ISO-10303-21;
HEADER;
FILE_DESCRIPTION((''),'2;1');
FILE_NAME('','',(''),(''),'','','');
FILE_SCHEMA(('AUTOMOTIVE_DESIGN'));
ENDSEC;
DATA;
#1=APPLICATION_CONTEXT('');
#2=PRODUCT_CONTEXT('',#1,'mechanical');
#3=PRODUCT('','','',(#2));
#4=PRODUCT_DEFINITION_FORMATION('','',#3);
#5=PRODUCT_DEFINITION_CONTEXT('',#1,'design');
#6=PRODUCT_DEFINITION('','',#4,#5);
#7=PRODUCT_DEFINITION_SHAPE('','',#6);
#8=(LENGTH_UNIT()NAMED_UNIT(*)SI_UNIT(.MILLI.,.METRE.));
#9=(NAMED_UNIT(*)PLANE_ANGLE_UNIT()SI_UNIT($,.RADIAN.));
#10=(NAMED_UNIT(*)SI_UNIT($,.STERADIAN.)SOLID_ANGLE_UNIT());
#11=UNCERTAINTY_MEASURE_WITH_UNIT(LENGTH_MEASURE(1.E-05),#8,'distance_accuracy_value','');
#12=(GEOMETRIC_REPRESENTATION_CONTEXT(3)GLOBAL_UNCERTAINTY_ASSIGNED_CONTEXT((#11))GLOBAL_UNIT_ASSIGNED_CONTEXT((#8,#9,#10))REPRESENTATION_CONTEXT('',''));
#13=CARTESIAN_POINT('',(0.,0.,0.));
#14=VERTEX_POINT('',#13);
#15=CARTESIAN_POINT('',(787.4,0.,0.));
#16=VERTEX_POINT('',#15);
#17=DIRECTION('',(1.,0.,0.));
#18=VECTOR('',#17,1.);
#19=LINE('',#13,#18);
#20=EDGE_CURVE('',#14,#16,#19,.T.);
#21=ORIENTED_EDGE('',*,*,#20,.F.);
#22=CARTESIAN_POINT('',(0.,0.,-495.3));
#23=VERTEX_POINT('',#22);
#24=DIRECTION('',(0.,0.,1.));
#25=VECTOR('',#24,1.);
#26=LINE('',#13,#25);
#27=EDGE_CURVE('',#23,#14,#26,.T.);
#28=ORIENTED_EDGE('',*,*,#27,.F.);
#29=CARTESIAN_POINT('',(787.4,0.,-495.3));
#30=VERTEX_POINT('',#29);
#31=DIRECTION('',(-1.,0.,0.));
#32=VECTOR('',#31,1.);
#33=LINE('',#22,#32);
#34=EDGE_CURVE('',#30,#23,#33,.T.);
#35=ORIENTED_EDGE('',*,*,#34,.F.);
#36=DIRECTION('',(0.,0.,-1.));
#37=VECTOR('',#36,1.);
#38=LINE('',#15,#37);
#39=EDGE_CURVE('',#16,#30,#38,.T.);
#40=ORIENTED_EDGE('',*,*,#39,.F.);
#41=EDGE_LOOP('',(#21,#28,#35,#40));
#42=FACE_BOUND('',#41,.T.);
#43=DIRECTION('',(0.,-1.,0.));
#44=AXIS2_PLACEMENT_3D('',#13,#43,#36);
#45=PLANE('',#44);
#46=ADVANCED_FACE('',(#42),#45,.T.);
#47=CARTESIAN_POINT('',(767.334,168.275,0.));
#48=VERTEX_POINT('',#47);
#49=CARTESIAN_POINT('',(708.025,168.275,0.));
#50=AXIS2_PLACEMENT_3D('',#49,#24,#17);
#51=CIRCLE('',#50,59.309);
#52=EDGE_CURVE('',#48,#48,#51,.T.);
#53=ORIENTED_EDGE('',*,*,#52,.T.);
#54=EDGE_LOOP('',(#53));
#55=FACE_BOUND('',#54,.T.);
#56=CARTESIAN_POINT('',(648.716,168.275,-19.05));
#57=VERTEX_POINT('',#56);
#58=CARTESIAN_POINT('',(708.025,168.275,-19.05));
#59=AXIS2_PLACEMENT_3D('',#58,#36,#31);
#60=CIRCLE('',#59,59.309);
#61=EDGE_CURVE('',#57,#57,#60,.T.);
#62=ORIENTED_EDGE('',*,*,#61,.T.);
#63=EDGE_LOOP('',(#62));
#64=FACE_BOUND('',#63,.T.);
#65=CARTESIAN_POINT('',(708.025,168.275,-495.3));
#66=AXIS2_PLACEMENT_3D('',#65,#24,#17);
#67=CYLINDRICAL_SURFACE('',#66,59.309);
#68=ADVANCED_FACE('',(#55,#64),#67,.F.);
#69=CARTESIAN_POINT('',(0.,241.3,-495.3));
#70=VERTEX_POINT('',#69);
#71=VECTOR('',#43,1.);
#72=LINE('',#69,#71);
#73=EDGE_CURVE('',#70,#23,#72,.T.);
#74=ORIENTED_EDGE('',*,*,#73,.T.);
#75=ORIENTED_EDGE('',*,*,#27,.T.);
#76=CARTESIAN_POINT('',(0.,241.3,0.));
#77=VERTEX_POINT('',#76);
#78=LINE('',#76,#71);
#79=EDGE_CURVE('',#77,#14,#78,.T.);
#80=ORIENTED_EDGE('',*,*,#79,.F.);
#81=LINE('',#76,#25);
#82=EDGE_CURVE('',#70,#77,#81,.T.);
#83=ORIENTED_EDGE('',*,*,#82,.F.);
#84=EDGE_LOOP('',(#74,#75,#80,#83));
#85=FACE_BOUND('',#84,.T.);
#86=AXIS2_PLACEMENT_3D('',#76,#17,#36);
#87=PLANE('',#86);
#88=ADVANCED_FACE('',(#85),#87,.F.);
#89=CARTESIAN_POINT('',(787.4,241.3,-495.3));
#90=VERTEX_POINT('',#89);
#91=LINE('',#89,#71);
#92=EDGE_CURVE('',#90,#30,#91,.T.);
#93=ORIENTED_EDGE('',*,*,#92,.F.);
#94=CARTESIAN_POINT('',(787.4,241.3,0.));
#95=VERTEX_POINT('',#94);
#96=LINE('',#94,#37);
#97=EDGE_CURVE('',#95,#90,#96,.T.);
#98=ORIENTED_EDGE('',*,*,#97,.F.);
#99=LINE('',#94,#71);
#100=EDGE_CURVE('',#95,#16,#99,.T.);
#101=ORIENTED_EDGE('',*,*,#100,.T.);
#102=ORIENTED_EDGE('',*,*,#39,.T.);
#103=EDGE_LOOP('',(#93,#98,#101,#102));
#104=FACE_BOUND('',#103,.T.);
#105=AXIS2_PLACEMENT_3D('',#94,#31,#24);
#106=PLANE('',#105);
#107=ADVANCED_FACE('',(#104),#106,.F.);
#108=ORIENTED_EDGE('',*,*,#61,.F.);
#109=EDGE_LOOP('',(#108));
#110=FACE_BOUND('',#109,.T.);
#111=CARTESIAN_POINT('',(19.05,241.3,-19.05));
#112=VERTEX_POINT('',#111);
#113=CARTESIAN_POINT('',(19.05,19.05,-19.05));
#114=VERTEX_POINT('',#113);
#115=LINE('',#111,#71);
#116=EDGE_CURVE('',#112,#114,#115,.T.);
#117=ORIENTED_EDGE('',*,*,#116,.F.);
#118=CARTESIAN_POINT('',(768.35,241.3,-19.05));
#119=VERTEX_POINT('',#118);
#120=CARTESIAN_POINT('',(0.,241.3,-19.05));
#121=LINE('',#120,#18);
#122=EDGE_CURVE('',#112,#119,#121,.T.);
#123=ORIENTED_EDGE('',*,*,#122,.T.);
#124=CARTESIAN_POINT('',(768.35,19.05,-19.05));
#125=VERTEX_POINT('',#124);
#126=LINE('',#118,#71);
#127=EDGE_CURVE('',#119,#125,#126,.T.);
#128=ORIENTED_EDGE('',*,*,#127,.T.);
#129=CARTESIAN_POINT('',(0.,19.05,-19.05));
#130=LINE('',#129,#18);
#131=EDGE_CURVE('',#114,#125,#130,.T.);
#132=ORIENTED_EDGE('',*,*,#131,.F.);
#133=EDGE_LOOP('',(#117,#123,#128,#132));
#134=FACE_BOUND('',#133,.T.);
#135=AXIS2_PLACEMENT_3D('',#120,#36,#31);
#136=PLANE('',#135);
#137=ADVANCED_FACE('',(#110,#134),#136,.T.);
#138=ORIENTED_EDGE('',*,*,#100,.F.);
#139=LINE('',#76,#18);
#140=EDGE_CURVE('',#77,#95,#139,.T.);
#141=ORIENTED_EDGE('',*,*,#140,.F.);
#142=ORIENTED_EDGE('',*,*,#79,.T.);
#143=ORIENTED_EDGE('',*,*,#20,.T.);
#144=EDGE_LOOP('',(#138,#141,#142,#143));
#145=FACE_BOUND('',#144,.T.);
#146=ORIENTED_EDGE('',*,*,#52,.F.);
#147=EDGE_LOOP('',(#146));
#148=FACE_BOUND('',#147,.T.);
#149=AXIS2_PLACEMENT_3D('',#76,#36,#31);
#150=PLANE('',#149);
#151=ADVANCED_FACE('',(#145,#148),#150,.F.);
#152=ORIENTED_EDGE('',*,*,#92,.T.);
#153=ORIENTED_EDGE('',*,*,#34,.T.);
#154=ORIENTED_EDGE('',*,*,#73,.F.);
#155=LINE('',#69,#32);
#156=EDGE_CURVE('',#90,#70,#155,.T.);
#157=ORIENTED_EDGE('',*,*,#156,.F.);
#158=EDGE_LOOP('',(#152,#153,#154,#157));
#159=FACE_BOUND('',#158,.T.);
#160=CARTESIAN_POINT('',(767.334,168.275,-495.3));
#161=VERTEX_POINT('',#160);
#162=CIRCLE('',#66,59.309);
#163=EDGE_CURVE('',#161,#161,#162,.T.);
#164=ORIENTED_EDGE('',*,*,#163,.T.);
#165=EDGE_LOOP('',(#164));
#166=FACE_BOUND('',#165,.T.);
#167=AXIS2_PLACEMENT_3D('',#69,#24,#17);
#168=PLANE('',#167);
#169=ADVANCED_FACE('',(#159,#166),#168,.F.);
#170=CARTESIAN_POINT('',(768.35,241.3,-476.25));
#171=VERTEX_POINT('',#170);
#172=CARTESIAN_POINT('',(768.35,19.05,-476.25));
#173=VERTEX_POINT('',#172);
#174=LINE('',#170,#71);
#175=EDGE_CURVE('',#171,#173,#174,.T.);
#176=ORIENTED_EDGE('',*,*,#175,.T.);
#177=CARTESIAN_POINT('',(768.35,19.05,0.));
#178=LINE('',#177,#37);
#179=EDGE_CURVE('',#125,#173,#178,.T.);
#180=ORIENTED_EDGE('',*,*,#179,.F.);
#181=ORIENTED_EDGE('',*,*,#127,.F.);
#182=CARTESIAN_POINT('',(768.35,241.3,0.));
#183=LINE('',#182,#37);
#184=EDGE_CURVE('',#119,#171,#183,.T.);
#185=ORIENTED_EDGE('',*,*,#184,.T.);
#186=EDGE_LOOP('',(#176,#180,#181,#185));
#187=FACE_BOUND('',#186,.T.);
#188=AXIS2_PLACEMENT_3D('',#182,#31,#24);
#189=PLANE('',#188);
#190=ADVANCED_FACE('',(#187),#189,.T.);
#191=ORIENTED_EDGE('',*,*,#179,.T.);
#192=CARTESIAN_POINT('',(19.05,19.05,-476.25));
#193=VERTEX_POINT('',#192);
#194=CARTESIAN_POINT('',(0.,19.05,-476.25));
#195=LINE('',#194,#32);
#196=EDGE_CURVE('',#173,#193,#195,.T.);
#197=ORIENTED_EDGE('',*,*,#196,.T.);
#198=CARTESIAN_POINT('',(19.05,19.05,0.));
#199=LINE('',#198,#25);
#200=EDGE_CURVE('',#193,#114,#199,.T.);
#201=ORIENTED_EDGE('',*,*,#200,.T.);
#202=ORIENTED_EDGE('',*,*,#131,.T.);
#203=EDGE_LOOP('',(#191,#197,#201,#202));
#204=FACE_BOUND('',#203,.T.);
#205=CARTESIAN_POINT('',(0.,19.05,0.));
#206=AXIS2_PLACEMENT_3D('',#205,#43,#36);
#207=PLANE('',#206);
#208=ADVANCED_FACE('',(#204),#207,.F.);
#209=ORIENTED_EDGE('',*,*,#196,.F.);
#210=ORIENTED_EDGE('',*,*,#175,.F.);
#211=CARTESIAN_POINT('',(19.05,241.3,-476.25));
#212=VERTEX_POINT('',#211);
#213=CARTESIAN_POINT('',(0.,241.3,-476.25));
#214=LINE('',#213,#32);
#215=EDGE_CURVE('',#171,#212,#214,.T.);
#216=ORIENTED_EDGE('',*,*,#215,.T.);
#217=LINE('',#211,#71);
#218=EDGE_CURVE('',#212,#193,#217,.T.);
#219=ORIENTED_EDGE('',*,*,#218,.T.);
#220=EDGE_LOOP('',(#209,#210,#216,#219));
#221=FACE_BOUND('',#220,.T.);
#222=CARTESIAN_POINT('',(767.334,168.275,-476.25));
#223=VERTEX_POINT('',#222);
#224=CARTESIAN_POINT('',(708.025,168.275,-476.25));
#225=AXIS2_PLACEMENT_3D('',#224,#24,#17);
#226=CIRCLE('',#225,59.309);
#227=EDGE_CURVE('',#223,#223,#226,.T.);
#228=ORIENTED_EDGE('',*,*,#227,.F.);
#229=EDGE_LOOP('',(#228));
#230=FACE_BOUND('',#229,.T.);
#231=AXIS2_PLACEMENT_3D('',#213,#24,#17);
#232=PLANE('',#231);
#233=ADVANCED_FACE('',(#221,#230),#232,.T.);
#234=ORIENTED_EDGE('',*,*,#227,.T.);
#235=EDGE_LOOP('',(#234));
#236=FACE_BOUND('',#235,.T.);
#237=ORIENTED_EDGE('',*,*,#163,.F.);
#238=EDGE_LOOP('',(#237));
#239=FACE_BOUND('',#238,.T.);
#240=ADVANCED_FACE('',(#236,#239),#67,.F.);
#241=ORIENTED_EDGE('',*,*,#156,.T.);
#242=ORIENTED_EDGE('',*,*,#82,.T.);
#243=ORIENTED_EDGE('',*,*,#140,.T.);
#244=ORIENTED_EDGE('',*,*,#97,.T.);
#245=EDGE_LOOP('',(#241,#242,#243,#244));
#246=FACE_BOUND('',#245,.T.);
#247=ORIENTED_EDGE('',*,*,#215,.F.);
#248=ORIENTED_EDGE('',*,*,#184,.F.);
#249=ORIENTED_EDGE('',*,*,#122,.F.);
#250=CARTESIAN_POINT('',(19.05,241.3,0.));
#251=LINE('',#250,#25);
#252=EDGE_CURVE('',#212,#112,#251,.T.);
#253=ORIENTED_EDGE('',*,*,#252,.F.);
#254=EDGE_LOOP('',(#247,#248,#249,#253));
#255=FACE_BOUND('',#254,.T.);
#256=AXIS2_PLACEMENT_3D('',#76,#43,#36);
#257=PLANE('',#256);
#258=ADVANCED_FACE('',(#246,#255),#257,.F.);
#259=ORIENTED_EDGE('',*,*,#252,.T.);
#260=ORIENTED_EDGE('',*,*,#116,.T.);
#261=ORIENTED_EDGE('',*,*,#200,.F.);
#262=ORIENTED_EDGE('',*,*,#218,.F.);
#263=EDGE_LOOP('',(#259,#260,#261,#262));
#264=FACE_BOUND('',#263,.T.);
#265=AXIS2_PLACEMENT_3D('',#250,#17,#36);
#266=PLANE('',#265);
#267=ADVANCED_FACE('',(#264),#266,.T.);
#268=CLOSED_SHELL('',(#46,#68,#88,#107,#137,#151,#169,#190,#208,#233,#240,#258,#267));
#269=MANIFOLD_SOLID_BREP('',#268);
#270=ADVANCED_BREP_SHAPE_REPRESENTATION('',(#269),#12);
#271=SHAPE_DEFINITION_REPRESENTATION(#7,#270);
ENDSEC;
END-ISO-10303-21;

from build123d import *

# Parameters (mm, degrees)
SKETCH1_W           = 787.4
SKETCH1_H           = 495.3
BOSS_EXTRUDE1_DEPTH = 241.3
SHELL1_T            = -19.05
SKETCH2_R           = 59.309
CUT_EXTRUDE1_DEPTH  = 496.3


with BuildPart() as part:
    # Sketch1 → Boss-Extrude1 (new body)
    with BuildSketch(Plane(origin=(0, 0, 0), x_dir=(1, 0, 0), z_dir=(0, 1, 0))):
        with Locations((393.7, 247.65)):
            Rectangle(SKETCH1_W, SKETCH1_H)
    extrude(amount=BOSS_EXTRUDE1_DEPTH)

    # Shell1
    shell1_openings = [part.faces().sort_by_distance(p)[0] for p in [
        (393.7, 241.3, -247.65),
    ]]
    offset(amount=SHELL1_T, openings=shell1_openings, kind=Kind.INTERSECTION)

    # Sketch2 → Cut-Extrude1 (cut, through all)
    with BuildSketch(Plane.XY):
        with Locations((708.025, 168.275)):
            Circle(SKETCH2_R)
    extrude(amount=-CUT_EXTRUDE1_DEPTH, mode=Mode.SUBTRACT)


solid = part.part
